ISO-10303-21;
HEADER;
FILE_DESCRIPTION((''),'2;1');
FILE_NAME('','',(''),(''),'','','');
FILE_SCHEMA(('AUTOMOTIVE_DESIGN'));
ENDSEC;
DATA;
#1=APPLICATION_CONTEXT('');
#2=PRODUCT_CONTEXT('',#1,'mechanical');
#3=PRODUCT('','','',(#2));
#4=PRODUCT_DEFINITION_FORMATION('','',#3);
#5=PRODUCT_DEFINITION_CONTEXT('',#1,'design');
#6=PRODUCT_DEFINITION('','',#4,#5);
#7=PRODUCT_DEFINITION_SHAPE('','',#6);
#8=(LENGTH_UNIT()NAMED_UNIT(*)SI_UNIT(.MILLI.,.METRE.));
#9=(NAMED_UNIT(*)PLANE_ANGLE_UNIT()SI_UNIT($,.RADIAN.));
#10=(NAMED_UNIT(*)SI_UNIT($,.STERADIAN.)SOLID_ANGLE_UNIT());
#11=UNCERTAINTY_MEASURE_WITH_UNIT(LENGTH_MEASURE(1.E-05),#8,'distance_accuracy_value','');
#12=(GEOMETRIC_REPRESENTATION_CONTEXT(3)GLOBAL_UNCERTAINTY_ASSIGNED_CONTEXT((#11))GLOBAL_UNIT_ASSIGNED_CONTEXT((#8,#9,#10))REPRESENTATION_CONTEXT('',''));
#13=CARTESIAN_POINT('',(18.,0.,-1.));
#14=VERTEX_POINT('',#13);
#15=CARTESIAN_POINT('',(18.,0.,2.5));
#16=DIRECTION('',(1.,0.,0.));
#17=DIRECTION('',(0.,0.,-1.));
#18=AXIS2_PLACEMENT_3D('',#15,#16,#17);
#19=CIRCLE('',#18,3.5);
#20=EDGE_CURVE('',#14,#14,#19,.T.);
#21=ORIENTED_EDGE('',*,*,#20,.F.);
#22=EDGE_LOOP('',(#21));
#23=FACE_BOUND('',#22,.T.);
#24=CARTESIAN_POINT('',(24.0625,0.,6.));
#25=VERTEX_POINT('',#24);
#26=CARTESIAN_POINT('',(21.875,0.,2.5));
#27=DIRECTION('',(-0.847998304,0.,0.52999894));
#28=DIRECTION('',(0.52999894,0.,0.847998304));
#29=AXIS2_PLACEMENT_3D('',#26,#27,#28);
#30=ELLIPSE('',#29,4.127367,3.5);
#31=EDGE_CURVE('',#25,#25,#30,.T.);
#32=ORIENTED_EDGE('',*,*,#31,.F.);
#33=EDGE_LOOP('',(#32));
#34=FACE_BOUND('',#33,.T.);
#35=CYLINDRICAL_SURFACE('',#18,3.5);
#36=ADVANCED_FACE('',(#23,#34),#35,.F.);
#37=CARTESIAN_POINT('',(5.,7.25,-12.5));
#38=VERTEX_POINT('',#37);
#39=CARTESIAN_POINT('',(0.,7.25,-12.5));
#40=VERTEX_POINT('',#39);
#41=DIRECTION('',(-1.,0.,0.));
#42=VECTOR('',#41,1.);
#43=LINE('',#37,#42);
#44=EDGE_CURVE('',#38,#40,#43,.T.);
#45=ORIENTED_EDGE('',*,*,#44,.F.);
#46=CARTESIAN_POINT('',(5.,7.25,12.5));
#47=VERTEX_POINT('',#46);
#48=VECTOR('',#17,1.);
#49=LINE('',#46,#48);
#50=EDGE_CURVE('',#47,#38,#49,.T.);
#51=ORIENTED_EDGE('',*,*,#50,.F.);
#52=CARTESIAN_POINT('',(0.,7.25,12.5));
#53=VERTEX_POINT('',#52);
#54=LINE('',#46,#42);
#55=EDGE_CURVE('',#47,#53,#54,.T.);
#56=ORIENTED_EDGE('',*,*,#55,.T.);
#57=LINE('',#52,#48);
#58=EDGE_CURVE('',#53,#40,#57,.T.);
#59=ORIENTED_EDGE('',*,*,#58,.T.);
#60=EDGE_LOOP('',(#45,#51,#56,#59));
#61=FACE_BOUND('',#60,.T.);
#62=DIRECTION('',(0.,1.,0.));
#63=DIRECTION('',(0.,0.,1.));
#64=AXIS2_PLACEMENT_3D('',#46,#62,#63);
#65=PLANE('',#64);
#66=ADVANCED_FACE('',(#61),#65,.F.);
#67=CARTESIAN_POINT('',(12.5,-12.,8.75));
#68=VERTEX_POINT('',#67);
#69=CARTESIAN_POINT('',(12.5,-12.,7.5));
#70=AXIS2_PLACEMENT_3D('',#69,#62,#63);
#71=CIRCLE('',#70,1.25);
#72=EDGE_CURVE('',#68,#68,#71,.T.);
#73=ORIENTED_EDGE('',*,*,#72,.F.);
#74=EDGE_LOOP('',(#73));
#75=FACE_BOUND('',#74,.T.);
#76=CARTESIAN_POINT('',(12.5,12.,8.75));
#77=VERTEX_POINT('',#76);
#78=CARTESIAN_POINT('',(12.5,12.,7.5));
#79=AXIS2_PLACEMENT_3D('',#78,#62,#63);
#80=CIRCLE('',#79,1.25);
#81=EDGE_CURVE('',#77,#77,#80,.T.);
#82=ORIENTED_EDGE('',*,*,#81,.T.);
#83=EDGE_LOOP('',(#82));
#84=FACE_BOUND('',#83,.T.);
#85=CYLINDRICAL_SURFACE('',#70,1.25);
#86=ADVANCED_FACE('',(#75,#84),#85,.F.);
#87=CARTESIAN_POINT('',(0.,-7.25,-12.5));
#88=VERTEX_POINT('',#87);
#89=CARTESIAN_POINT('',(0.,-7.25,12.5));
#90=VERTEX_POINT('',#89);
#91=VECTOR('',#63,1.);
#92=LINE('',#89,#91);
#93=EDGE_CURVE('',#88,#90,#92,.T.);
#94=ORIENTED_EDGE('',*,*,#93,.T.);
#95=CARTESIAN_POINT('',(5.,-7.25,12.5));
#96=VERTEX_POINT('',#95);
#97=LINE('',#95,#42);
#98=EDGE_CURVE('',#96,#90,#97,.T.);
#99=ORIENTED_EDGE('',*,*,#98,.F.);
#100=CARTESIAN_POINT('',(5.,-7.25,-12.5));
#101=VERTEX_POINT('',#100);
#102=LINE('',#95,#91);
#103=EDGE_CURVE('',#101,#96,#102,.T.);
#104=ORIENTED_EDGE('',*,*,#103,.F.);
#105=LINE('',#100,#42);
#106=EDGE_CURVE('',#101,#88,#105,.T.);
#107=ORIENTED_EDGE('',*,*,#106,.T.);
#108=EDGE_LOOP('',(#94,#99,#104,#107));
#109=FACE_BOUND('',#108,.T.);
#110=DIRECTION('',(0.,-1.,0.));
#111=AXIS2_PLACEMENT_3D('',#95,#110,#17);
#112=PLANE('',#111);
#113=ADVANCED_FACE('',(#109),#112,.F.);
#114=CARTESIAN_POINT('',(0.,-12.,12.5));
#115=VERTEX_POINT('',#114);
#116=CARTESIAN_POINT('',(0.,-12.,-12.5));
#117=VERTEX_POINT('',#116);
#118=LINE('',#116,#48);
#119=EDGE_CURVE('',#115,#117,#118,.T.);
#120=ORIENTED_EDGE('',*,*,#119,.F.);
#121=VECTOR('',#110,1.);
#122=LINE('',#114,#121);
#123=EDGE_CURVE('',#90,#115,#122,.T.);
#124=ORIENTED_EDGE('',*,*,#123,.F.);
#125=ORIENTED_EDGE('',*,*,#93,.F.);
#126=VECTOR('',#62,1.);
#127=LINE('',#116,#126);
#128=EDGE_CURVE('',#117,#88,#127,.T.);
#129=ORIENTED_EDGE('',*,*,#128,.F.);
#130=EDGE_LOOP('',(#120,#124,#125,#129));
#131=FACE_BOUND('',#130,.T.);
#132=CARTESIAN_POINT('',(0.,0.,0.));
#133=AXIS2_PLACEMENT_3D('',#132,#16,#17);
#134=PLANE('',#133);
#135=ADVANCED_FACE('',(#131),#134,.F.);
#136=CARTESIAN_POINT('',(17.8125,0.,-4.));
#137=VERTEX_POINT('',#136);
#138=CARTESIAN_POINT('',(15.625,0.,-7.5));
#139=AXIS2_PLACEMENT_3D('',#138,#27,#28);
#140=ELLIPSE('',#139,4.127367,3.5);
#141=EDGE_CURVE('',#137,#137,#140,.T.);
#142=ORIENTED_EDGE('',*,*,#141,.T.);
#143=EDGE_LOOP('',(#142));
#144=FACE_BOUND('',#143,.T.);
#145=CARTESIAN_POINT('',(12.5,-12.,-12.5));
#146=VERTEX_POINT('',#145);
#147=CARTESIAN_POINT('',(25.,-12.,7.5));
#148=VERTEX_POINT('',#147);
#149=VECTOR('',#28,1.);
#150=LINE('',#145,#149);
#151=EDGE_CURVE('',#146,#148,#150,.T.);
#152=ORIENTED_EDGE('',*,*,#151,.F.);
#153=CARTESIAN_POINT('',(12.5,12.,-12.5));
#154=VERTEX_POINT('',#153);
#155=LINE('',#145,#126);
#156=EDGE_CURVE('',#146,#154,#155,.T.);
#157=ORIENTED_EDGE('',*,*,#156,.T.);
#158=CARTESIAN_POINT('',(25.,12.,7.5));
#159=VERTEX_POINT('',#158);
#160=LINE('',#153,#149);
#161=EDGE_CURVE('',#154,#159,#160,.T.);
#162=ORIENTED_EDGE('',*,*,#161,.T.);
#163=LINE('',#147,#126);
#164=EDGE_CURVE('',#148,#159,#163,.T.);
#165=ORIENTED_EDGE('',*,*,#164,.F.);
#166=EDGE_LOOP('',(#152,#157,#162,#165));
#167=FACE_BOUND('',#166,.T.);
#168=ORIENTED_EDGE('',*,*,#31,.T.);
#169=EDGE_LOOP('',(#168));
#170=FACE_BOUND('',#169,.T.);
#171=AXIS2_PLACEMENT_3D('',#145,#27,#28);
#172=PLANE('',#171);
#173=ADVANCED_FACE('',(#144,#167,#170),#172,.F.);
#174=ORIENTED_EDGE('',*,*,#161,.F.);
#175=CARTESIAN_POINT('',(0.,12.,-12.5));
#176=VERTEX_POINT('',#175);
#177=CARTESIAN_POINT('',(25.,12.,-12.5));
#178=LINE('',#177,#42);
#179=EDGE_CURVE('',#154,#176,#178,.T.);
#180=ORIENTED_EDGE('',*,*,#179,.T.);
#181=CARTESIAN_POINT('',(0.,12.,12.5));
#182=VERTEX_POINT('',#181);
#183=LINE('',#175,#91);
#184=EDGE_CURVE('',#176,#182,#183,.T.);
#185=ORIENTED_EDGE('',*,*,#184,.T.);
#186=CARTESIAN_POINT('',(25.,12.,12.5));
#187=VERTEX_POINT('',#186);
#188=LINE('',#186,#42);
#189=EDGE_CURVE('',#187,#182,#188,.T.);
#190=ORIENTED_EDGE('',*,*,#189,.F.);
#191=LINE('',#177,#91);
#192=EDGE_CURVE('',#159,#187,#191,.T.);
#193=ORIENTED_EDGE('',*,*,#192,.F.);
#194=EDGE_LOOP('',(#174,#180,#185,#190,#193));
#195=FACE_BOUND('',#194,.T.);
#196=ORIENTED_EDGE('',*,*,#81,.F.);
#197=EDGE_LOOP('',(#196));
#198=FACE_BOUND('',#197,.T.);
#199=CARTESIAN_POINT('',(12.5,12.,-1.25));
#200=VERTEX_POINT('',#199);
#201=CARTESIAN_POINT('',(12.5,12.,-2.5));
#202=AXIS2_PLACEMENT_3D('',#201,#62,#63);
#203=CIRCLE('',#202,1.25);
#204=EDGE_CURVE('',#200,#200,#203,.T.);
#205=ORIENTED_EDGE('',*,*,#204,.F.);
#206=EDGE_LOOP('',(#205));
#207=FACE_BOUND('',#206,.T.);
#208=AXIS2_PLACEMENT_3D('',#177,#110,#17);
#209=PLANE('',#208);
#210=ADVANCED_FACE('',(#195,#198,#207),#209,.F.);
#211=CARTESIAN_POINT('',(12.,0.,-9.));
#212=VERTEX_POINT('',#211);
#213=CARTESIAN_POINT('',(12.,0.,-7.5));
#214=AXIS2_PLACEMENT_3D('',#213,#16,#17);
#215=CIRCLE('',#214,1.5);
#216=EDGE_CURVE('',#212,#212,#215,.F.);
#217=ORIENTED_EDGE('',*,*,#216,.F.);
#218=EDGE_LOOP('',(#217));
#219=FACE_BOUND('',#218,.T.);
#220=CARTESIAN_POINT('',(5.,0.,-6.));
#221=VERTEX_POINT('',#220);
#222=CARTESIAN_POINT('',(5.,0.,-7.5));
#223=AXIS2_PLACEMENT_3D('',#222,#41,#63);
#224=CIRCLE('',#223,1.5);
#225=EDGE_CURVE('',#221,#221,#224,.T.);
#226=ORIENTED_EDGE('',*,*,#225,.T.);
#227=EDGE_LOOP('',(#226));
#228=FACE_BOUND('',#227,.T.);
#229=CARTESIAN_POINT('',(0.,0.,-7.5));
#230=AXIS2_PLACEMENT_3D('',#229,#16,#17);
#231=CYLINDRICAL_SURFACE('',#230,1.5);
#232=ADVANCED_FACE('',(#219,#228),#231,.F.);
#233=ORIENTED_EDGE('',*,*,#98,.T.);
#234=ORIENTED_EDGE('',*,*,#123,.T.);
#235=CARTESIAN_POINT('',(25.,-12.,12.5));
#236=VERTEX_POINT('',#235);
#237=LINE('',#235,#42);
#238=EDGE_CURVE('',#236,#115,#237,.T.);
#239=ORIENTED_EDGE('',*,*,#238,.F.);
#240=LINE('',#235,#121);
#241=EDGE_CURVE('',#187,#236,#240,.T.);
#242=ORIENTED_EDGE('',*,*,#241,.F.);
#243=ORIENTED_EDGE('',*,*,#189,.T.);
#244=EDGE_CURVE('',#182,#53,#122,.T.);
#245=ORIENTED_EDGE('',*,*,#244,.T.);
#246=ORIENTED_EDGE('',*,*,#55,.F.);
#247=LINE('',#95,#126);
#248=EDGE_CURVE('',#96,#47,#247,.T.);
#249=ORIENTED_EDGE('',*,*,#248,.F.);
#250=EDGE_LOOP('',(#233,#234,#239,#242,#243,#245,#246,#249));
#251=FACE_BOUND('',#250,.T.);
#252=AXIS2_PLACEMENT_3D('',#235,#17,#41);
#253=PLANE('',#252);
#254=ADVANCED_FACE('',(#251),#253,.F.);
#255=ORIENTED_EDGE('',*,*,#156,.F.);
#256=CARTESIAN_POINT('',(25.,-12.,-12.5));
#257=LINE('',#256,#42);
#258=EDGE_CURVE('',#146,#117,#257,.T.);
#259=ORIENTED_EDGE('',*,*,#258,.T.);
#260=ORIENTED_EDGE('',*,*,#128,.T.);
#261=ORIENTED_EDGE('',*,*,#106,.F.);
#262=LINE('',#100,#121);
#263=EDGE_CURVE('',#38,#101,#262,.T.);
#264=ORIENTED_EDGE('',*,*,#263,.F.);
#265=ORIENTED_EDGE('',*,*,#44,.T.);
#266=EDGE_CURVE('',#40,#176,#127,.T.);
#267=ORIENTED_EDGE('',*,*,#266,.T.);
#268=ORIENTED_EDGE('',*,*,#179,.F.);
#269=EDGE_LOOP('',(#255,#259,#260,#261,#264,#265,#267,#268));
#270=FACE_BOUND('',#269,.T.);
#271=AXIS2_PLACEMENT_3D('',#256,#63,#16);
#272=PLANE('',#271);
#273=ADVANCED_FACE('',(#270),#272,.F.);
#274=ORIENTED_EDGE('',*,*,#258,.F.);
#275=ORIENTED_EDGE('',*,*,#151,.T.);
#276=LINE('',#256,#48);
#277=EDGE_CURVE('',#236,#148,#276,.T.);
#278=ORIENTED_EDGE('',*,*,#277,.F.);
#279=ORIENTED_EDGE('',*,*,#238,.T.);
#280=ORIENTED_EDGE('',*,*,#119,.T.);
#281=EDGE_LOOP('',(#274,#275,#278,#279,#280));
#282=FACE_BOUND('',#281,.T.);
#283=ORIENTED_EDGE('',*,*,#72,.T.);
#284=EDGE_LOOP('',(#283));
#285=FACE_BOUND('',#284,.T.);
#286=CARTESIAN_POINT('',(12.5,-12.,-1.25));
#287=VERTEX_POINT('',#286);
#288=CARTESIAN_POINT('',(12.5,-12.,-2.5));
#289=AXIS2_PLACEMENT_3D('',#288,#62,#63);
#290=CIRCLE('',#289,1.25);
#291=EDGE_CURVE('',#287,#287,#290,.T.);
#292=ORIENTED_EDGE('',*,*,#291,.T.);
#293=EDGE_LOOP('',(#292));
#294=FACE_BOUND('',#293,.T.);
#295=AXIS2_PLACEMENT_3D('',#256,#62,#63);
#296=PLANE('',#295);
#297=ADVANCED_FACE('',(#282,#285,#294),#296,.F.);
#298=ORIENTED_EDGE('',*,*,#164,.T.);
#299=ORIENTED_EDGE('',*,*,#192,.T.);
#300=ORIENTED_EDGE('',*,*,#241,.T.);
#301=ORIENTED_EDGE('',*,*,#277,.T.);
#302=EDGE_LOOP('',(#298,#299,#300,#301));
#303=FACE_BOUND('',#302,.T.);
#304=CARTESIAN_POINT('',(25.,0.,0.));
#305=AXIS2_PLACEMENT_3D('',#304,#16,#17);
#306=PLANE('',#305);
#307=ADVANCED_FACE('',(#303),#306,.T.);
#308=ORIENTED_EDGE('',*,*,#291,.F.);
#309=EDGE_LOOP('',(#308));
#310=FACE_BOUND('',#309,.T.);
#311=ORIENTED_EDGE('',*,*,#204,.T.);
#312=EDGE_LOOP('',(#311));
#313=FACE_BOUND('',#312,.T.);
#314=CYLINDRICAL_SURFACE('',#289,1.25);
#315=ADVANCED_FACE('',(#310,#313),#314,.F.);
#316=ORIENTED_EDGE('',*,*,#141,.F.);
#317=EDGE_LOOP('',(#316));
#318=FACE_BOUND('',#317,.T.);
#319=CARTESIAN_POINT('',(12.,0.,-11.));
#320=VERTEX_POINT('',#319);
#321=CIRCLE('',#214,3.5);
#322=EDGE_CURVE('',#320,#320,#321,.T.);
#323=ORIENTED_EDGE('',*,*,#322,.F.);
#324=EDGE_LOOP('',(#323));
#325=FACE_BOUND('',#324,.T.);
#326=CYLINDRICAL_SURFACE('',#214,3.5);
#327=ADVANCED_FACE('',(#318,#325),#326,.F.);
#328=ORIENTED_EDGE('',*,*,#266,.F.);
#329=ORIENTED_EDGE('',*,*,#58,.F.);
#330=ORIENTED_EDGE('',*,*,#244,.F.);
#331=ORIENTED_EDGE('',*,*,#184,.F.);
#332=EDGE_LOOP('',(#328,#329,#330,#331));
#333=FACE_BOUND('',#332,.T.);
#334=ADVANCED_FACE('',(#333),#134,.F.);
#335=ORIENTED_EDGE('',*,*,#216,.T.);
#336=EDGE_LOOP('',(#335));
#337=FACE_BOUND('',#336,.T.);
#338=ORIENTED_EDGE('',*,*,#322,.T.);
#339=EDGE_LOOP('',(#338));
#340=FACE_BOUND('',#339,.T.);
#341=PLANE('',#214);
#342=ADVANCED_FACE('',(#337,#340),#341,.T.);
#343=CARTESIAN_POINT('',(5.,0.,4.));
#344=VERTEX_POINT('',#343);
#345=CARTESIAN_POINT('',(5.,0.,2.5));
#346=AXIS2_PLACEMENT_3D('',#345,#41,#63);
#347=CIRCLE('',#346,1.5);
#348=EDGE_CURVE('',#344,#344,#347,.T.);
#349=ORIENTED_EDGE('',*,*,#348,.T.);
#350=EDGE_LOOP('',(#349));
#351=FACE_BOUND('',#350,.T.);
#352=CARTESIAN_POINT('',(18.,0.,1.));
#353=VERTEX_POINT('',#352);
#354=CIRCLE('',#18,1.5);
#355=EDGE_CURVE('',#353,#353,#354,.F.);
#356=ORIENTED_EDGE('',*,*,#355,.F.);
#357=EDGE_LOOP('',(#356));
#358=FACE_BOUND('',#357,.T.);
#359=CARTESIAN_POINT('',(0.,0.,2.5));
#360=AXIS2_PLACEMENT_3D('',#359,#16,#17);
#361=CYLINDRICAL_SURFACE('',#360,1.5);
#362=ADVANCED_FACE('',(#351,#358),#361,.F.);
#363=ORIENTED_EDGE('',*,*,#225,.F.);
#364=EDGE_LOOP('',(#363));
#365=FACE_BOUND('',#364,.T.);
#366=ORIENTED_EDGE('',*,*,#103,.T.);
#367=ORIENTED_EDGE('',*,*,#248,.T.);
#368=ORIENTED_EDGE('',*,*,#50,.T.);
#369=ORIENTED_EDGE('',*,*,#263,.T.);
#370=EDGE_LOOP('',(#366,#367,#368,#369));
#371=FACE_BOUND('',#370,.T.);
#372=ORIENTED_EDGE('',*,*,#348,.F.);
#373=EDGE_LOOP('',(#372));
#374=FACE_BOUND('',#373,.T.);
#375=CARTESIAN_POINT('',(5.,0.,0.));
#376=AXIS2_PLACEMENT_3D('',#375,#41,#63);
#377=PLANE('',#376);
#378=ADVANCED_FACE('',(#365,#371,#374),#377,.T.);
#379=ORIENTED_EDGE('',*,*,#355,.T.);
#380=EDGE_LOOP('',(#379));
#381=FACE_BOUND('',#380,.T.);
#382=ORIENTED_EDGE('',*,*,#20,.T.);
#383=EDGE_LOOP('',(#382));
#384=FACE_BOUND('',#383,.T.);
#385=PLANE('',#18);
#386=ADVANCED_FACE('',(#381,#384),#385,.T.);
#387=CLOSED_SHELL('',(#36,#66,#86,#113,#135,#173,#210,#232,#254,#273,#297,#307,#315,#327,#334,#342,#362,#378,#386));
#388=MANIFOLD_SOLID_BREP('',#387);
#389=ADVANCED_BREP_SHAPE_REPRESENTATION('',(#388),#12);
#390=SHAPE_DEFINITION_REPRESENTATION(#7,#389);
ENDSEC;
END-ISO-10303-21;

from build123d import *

# Parameters (mm, degrees)
SKETCH_1_W          = 25
SKETCH_1_H          = 24
EXTRUDE_1_DEPTH     = 25
SKETCH_2_W          = 25
SKETCH_2_H          = 14.5
CUT_EXTRUDE_1_DEPTH = 5
SKETCH_3_R          = 1.5
CUT_EXTRUDE_2_DEPTH = 31.417922349
CUT_EXTRUDE_3_DEPTH = 37.84087404
SKETCH_6_R          = 3.5
CUT_EXTRUDE_4_DEPTH = 13
SKETCH_7_R          = 3.5
CUT_EXTRUDE_5_DEPTH = 7
SKETCH_8_R          = 1.25
CUT_EXTRUDE_6_DEPTH = 37.84087404


with BuildPart() as part:
    # 草图1 → 凸台-拉伸1 (new body)
    with BuildSketch(Plane(origin=(0, 0, 0), x_dir=(0, 0, -1), z_dir=(1, 0, 0))):
        Rectangle(SKETCH_1_W, SKETCH_1_H)
    extrude(amount=EXTRUDE_1_DEPTH)

    # 草图2 → 切除-拉伸1 (cut)
    with BuildSketch(Plane.ZY):
        Rectangle(SKETCH_2_W, SKETCH_2_H)
    extrude(amount=-CUT_EXTRUDE_1_DEPTH, mode=Mode.SUBTRACT)

    # 草图3 → 切除-拉伸2 (cut, through all)
    with BuildSketch(Plane(origin=(25, 0, 0), x_dir=(0, 0, -1), z_dir=(1, 0, 0))):
        with Locations((-2.5, 0)):
            Circle(SKETCH_3_R)
        with Locations((7.5, 0)):
            Circle(SKETCH_3_R)
    extrude(amount=-CUT_EXTRUDE_2_DEPTH, mode=Mode.SUBTRACT)

    # 草图5 → 切除-拉伸3 (cut, through all)
    with BuildSketch(Plane(origin=(0, 12, 0), x_dir=(1, 0, 0), z_dir=(0, 1, 0))):
        Polygon((12.5, 12.5), (25, -7.5), (25, 12.5), align=None)
    extrude(amount=-CUT_EXTRUDE_3_DEPTH, mode=Mode.SUBTRACT)

    # 草图6 → 切除-拉伸4 (cut)
    with BuildSketch(Plane(origin=(25, 0, 0), x_dir=(0, 0, -1), z_dir=(1, 0, 0))):
        with Locations((7.5, 0)):
            Circle(SKETCH_6_R)
    extrude(amount=-CUT_EXTRUDE_4_DEPTH, mode=Mode.SUBTRACT)

    # 草图7 → 切除-拉伸5 (cut)
    with BuildSketch(Plane(origin=(25, 0, 0), x_dir=(0, 0, -1), z_dir=(1, 0, 0))):
        with Locations((-2.5, 0)):
            Circle(SKETCH_7_R)
    extrude(amount=-CUT_EXTRUDE_5_DEPTH, mode=Mode.SUBTRACT)

    # 草图8 → 切除-拉伸6 (cut, through all)
    with BuildSketch(Plane(origin=(0, 12, 0), x_dir=(1, 0, 0), z_dir=(0, 1, 0))):
        with Locations(Location((12.5, 2.5, 0), (0, 0, 270))):
            Circle(SKETCH_8_R)
        with Locations(Location((12.5, -7.5, 0), (0, 0, 270))):
            Circle(SKETCH_8_R)
    extrude(amount=-CUT_EXTRUDE_6_DEPTH, mode=Mode.SUBTRACT)


solid = part.part
